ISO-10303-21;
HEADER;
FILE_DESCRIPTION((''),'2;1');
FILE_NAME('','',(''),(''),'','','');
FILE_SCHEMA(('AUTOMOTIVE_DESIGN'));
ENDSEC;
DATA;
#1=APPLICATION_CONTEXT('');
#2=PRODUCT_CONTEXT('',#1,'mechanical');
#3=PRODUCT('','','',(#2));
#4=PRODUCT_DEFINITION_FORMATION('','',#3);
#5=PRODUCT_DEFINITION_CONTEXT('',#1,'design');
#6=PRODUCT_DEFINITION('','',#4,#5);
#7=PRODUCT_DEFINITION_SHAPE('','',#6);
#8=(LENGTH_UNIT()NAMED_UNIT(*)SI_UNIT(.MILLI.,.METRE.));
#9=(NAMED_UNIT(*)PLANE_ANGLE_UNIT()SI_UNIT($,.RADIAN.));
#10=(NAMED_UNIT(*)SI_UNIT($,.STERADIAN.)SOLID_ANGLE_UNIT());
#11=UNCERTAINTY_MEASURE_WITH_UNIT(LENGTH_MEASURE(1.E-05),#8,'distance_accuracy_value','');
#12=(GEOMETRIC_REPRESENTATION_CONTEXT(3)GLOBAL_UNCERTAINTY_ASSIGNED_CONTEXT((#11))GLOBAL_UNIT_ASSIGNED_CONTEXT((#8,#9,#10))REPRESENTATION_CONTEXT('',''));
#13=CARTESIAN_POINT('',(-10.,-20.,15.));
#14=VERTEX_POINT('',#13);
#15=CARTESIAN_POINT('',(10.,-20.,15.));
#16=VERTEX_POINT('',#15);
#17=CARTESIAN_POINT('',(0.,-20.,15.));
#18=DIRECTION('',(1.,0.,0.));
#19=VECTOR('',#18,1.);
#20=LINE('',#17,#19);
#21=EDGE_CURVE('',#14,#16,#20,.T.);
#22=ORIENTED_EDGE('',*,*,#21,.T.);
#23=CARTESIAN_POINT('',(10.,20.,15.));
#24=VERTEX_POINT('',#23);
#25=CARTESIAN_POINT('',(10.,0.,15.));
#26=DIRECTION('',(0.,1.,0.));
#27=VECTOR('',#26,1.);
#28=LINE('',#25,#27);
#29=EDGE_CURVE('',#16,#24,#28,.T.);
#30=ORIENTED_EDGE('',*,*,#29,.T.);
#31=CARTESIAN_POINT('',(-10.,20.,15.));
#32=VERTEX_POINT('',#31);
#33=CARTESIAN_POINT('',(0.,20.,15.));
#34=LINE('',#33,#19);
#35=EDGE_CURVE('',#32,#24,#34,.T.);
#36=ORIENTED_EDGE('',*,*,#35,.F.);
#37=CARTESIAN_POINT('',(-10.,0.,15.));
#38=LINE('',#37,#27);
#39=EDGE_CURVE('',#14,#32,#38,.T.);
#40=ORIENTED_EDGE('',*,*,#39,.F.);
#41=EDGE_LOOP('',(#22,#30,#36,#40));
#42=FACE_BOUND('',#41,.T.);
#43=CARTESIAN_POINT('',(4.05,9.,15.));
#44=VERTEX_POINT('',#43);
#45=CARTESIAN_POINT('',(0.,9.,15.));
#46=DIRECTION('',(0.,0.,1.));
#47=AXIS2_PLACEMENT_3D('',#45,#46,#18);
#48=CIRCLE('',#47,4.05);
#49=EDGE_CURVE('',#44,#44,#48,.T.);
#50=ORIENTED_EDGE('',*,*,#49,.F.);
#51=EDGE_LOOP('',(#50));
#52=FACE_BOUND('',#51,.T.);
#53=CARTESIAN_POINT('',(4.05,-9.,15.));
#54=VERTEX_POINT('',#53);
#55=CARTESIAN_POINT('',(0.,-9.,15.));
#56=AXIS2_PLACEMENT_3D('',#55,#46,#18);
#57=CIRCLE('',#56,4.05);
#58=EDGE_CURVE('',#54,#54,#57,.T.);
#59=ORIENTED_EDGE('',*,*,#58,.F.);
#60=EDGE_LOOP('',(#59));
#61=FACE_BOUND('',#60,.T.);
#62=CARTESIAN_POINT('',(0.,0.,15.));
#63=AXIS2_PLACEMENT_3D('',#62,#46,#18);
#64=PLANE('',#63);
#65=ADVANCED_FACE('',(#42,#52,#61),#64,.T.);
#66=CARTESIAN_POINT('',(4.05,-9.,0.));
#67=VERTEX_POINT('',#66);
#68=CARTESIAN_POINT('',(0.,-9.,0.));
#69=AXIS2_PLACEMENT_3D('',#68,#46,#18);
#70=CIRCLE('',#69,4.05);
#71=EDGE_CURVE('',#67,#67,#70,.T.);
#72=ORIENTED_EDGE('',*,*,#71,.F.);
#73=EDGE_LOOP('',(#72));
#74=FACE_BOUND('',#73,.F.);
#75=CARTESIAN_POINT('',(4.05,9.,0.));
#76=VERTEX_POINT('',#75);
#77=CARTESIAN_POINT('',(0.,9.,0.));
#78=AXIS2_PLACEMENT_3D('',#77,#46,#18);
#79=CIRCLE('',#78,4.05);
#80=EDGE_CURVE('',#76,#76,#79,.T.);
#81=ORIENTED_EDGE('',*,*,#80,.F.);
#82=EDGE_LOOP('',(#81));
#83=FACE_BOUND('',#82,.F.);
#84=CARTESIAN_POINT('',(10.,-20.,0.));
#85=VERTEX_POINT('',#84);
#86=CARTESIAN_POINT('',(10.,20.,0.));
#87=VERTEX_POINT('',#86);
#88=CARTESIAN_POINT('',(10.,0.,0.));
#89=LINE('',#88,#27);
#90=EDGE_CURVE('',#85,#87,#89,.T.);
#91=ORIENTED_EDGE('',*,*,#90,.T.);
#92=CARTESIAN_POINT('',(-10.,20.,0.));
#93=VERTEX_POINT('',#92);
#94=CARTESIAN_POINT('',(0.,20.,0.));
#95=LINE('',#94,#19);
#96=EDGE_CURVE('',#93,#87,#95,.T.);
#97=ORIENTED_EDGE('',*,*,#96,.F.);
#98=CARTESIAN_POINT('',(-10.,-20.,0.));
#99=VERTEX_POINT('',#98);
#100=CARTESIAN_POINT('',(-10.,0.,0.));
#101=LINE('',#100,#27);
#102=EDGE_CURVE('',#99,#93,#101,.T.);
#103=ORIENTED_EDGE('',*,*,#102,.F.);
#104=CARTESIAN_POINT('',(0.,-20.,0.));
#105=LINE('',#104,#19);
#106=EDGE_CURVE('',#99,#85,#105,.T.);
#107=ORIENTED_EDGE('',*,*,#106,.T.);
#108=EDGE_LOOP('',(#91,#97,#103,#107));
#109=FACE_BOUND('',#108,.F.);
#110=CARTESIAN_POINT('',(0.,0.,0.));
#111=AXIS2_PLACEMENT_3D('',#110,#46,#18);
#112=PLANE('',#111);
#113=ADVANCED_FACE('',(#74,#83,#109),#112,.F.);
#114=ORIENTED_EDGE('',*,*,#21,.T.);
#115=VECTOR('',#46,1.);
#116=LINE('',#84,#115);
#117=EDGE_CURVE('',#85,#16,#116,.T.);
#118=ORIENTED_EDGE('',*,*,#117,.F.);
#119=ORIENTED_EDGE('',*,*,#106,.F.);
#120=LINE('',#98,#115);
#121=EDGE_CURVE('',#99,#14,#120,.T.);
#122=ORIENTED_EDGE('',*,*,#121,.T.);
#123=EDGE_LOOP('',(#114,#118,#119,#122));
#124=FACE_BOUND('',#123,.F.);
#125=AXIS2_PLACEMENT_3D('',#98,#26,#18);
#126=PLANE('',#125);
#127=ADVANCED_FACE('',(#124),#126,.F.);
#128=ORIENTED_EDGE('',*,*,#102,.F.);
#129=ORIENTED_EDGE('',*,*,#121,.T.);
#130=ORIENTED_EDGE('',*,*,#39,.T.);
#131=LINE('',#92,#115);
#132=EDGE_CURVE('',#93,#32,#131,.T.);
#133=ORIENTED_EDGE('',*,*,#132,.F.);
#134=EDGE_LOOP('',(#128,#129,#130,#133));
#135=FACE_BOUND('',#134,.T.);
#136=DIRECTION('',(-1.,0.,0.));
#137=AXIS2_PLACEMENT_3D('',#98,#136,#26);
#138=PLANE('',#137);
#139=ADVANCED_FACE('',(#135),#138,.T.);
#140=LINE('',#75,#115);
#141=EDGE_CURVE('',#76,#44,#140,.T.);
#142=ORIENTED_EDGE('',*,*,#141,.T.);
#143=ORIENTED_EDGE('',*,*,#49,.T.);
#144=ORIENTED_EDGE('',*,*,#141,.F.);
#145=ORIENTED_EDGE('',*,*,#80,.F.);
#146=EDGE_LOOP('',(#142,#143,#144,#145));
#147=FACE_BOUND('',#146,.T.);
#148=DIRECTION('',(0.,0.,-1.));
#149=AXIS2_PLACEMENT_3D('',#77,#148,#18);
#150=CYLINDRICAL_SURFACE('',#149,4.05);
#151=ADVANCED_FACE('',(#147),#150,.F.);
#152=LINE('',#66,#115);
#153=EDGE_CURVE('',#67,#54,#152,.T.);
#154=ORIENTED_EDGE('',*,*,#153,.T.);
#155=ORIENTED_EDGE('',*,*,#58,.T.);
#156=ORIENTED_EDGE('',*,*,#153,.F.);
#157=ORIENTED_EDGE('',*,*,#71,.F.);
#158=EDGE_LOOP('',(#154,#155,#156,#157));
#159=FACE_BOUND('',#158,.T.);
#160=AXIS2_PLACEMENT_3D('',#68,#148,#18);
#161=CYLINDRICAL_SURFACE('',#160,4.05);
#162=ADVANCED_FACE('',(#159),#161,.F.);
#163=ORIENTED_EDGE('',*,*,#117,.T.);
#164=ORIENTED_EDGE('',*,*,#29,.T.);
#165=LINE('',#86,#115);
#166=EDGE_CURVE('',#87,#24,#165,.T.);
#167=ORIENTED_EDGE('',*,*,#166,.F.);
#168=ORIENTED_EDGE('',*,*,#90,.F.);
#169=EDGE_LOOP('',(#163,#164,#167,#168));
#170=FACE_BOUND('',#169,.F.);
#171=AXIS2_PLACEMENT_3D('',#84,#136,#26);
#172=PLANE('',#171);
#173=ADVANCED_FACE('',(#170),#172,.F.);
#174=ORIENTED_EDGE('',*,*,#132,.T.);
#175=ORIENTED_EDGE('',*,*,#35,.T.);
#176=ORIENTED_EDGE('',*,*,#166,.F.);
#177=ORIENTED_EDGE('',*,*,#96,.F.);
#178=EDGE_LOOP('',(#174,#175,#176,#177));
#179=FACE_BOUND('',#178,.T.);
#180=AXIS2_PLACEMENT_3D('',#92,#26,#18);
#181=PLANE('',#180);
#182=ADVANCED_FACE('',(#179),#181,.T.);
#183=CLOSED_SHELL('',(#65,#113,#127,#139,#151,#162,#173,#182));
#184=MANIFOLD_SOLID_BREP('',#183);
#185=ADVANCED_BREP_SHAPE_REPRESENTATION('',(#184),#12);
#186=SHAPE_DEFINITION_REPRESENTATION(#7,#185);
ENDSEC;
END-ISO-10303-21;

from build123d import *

# Parameters (mm, degrees)
SKETCH_W  = 20
SKETCH_H  = 40
SKETCH_R  = 4.05
PAD_DEPTH = 15


with BuildPart() as part:
    # Sketch → Pad (new body)
    with BuildSketch(Plane.XY):
        Rectangle(SKETCH_W, SKETCH_H)
        with Locations((0, 9)):
            Circle(SKETCH_R, mode=Mode.SUBTRACT)
        with Locations((0, -9)):
            Circle(SKETCH_R, mode=Mode.SUBTRACT)
    extrude(amount=PAD_DEPTH)


solid = part.part
